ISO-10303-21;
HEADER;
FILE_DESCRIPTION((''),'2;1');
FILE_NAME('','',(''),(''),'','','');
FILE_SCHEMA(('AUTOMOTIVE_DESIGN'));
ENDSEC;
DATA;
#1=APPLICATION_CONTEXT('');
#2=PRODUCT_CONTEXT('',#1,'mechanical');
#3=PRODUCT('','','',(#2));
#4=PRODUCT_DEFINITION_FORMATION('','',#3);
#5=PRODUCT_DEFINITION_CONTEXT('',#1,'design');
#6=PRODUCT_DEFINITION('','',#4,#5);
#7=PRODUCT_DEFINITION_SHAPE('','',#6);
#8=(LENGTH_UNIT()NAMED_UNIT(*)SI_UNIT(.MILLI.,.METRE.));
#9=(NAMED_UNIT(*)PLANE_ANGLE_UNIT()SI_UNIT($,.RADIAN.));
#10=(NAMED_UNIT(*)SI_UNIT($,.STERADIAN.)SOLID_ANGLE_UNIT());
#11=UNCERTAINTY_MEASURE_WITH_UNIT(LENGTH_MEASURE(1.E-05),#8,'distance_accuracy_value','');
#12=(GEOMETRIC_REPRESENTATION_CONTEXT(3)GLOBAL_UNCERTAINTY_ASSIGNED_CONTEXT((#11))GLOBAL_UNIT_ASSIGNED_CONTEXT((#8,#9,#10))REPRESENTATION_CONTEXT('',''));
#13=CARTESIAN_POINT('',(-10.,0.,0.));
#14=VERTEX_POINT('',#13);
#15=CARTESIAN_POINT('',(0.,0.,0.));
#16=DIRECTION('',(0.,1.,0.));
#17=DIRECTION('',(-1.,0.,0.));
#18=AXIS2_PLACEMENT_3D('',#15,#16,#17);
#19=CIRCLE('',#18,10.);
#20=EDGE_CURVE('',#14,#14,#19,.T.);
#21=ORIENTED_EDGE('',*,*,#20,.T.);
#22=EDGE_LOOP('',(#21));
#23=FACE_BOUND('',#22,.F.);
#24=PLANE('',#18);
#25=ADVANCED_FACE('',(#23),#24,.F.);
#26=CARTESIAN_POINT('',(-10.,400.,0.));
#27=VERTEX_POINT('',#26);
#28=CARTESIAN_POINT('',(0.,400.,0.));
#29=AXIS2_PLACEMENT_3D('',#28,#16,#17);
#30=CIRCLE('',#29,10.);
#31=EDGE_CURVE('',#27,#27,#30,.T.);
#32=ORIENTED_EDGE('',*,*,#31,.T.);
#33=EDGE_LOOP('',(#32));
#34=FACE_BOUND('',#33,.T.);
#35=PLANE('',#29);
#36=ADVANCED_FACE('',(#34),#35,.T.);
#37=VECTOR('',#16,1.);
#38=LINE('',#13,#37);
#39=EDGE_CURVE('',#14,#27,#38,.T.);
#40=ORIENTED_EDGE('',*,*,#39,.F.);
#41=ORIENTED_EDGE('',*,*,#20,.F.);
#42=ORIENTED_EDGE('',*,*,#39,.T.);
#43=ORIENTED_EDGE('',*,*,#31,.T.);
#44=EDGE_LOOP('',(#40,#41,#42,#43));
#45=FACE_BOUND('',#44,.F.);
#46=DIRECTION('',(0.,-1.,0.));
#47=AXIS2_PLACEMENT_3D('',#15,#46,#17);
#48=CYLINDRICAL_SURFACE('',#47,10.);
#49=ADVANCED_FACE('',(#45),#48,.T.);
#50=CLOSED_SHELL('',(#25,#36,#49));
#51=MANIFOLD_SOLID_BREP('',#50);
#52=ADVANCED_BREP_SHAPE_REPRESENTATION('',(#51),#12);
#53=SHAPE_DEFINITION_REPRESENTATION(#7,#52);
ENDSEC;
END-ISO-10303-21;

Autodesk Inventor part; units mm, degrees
ref_plane "YZ Plane" through (0, 0, 0) normal (1, 0, 0) x (0, 1, 0)
ref_plane "XZ Plane" through (0, 0, 0) normal (0, 1, 0) x (-1, 0, 0)
ref_plane "XY Plane" through (0, 0, 0) normal (0, 0, 1) x (1, 0, 0)
sketch "Sketch1" plane through (0, 0, 0) normal (0, 1, 0) x (-1, 0, 0)
  circle A0 centre (0, 0) radius 10
  dimension "d2" = 20
extrude "Extrusion1" add sketch "Sketch1" along normal blind 400
properties part number "D"
